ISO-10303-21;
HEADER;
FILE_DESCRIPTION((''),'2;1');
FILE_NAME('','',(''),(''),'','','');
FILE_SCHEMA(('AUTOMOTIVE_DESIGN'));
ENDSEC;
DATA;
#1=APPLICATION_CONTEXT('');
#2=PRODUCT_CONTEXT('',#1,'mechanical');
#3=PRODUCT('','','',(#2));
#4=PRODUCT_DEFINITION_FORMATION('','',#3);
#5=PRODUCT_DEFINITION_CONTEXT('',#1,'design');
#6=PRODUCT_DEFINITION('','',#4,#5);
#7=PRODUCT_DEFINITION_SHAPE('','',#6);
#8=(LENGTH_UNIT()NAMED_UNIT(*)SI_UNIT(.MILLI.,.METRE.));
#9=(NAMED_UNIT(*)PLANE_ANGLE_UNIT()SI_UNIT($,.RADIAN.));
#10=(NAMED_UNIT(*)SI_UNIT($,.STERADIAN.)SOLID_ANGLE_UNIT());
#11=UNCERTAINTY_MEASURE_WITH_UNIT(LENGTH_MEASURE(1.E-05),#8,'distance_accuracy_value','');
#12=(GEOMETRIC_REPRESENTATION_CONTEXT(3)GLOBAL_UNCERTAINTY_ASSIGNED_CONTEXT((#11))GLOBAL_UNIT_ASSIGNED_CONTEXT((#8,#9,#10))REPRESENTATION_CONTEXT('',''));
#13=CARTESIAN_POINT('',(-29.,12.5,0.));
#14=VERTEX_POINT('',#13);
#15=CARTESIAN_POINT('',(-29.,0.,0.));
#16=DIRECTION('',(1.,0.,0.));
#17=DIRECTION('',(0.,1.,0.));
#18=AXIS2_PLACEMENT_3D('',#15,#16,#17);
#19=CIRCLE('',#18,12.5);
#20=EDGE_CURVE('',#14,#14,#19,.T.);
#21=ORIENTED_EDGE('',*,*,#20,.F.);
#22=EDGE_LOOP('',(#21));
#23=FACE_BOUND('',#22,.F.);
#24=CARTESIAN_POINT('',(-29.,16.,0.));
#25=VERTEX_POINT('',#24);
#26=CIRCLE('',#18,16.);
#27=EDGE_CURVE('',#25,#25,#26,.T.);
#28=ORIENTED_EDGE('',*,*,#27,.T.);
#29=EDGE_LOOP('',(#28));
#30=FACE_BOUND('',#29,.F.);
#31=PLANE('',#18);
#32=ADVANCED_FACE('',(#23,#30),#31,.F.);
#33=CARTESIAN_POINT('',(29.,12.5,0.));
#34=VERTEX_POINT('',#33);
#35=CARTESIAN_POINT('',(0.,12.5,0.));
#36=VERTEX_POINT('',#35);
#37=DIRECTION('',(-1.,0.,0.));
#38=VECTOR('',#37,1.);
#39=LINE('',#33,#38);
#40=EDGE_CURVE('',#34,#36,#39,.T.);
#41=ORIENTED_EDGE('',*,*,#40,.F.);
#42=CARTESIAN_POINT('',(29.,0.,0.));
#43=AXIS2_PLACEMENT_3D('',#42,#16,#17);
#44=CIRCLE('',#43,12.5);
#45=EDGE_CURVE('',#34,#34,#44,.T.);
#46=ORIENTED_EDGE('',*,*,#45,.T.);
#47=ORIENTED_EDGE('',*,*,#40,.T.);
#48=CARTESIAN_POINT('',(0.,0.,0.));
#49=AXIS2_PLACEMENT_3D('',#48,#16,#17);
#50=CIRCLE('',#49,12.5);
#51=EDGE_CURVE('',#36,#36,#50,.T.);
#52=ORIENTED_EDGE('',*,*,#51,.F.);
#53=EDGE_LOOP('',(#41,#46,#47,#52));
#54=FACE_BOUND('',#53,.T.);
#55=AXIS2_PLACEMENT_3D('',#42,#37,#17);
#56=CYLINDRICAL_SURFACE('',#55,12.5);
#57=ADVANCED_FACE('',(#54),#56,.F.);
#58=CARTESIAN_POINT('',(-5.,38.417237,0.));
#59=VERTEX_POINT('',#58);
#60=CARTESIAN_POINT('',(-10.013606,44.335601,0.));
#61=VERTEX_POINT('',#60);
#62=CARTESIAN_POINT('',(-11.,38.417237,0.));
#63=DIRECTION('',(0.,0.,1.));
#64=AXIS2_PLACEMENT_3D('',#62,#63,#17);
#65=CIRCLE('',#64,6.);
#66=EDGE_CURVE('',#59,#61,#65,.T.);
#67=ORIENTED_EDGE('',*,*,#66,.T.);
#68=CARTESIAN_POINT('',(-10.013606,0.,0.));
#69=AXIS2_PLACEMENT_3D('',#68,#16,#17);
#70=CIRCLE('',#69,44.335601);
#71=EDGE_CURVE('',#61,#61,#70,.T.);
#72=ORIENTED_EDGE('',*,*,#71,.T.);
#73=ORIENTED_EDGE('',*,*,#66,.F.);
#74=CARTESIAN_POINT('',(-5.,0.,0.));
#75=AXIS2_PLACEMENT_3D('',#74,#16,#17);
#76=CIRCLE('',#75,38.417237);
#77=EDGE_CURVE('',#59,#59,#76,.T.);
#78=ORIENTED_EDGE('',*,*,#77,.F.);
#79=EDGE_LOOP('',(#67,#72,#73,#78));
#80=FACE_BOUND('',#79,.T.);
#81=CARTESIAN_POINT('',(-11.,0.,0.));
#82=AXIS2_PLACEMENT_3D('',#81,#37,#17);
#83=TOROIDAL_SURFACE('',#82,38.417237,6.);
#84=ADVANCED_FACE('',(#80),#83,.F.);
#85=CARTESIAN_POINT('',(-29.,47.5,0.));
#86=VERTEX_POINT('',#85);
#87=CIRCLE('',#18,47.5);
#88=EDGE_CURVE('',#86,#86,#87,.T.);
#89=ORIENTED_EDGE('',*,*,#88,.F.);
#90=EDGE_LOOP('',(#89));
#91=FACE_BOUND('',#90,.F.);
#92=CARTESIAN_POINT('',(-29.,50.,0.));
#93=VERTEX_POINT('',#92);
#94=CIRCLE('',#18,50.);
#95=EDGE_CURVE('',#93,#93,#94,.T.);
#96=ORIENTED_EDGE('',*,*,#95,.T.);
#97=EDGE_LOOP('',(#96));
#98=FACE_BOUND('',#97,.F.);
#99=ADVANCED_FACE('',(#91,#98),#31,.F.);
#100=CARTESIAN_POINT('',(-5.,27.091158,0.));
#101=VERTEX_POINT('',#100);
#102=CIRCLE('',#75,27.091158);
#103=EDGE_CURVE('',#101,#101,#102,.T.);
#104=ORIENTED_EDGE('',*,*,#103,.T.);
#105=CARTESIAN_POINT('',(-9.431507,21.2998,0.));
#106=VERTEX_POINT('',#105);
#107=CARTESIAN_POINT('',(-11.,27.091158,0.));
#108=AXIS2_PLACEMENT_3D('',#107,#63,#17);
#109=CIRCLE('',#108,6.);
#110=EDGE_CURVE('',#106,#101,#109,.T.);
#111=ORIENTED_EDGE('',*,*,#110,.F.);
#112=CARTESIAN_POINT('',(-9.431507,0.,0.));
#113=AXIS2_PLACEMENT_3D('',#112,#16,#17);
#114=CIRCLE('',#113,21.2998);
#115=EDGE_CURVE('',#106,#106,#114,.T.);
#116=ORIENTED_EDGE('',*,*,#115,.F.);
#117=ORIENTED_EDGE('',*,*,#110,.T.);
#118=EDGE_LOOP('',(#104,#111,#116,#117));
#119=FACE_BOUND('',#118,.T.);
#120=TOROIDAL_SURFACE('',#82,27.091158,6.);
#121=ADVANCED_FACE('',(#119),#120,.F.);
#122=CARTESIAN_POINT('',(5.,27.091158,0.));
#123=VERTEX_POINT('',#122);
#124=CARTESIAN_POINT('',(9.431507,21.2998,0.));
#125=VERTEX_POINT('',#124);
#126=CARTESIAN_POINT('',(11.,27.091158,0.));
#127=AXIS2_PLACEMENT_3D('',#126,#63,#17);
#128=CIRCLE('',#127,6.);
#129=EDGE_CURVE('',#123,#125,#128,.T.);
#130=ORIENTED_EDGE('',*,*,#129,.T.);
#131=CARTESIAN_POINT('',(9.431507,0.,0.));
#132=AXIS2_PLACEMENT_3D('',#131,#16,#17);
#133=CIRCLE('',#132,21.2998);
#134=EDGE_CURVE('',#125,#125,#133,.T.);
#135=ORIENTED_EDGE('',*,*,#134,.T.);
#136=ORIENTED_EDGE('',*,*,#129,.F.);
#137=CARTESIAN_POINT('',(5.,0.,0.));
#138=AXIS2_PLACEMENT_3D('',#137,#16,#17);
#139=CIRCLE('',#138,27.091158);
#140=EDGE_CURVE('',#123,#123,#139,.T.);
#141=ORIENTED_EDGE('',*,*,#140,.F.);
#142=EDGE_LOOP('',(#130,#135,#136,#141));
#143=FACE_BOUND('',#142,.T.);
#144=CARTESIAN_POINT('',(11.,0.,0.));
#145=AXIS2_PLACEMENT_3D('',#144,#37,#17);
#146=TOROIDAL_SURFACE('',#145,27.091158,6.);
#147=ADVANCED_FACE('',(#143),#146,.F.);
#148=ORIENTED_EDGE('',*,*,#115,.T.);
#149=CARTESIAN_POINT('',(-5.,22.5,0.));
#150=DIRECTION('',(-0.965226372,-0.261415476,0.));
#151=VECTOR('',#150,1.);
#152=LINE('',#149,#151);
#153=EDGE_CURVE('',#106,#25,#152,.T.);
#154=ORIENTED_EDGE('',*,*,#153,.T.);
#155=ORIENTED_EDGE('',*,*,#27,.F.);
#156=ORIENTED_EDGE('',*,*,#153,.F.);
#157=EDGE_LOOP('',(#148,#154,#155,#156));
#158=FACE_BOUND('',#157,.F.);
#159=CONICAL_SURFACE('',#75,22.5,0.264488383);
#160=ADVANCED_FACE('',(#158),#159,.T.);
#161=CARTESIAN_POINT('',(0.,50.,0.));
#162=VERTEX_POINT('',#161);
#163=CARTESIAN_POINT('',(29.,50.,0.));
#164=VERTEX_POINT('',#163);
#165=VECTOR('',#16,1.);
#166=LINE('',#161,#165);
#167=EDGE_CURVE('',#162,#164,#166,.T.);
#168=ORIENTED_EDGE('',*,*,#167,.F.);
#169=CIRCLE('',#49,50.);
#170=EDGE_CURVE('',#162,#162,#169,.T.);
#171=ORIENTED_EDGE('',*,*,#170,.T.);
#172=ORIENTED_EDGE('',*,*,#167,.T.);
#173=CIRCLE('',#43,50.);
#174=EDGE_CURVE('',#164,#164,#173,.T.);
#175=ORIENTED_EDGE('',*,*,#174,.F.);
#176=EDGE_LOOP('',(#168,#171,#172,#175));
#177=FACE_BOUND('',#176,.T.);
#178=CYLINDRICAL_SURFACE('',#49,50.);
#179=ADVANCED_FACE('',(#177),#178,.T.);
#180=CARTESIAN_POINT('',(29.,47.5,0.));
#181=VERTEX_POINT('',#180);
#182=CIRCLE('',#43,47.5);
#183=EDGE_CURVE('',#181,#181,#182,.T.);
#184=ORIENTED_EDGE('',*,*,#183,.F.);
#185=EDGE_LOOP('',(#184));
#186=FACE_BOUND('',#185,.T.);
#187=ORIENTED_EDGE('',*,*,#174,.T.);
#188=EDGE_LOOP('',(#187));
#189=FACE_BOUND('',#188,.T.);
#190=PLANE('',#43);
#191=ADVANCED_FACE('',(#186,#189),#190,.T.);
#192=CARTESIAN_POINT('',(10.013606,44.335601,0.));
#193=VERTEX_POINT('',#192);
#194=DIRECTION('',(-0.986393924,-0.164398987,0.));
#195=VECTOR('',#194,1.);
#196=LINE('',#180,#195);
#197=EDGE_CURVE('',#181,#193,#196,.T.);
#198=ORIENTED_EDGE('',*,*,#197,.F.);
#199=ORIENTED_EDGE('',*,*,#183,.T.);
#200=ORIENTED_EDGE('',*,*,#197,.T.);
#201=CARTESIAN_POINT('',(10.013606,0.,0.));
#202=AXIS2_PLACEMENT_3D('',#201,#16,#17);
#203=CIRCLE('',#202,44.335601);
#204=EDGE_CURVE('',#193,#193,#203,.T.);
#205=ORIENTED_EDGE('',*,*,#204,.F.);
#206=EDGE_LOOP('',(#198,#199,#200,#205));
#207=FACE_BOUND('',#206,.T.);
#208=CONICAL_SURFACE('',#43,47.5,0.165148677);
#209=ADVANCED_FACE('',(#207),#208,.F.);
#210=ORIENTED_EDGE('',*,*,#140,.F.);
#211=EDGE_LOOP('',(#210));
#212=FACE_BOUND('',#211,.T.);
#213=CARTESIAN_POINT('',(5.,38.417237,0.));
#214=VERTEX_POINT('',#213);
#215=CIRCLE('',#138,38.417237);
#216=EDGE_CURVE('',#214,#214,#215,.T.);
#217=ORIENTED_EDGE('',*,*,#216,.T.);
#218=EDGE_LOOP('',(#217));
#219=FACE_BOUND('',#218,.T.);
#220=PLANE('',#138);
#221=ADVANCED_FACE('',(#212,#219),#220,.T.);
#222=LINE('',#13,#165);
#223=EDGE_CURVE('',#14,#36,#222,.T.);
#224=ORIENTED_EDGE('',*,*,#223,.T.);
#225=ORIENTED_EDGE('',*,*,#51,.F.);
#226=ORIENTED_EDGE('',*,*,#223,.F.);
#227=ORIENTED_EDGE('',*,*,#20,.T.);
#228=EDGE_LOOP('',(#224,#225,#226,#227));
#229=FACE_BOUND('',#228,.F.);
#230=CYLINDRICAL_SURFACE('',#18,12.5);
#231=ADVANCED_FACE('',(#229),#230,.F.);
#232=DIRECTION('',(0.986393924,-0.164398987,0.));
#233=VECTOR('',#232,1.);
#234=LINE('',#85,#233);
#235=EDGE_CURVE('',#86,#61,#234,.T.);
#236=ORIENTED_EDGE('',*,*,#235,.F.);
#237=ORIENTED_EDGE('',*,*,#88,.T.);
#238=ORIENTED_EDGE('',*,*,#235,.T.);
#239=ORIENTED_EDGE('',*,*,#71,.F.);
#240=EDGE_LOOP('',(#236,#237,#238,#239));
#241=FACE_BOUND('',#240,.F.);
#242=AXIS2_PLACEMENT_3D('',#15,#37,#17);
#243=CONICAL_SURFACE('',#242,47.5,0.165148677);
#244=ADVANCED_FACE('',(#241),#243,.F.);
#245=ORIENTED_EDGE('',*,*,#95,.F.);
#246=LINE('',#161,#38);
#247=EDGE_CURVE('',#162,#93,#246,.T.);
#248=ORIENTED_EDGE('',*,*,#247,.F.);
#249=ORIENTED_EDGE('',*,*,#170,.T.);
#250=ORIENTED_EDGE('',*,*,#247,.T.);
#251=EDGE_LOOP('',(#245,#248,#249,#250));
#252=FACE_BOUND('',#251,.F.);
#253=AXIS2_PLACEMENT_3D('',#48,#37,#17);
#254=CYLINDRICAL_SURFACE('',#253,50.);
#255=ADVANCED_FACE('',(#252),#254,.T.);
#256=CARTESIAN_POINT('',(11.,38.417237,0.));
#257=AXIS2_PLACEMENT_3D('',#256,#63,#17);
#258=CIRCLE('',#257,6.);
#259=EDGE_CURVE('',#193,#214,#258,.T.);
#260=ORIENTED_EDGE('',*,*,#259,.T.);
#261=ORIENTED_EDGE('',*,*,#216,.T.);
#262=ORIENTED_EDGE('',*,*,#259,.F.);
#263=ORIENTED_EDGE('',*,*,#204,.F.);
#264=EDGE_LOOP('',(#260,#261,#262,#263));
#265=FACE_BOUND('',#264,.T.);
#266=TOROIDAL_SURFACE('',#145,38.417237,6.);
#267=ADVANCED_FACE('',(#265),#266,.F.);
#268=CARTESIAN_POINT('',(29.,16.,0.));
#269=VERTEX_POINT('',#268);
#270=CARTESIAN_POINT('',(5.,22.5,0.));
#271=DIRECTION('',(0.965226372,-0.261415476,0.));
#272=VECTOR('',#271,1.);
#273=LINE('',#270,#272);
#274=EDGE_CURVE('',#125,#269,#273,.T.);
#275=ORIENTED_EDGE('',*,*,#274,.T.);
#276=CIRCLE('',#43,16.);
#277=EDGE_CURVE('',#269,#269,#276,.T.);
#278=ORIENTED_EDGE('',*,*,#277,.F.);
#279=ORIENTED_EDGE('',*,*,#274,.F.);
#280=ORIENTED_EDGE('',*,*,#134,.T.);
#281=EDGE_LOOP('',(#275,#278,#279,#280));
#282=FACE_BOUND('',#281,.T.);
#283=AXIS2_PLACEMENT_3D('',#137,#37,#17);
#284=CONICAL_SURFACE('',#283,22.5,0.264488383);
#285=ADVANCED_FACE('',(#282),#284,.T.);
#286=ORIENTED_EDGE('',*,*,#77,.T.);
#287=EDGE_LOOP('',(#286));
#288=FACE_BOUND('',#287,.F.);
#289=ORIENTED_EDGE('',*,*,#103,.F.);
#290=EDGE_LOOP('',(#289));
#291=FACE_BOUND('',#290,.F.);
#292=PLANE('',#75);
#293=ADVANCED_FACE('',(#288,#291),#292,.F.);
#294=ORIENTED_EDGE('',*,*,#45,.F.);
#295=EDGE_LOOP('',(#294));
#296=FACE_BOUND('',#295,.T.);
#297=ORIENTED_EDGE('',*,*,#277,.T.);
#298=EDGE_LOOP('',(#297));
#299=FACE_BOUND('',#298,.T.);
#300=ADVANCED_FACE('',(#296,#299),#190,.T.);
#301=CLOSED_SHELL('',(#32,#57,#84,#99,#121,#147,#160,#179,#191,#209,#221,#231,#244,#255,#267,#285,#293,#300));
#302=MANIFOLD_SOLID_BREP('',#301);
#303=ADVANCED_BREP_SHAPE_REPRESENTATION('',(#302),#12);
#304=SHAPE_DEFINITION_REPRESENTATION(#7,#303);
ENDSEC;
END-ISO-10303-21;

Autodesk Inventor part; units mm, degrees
ref_plane "YZ Plane" through (0, 0, 0) normal (1, 0, 0) x (0, 1, 0)
ref_plane "XZ Plane" through (0, 0, 0) normal (0, 1, 0) x (-1, 0, 0)
ref_plane "XY Plane" through (0, 0, 0) normal (0, 0, 1) x (1, 0, 0)
sketch "Sketch1" plane through (0, 0, 0) normal (0, 0, 1) x (1, 0, 0)
  line L0 (-26.0293, 0) -> (0, 0)
  line L1 (0, 0) -> (26.0293, 0)
  line L2 (0, 0) -> (0, 50) construction
  line L3 (0, 50) -> (29, 50)
  line L4 (29, 50) -> (29, 47.5)
  line L5 (29, 47.5) -> (5, 43.5)
  line L6 (5, 43.5) -> (5, 22.5)
  line L7 (5, 22.5) -> (29, 16)
  line L8 (29, 16) -> (29, 12.5)
  line L9 (29, 12.5) -> (0, 12.5)
  line L10 (0, 50) -> (-29, 50)
  line L11 (-29, 47.5) -> (-5, 43.5)
  line L12 (-5, 43.5) -> (-5, 22.5)
  line L13 (-5, 22.5) -> (-29, 16)
  line L14 (-29, 16) -> (-29, 12.5)
  line L15 (-29, 12.5) -> (0, 12.5)
  line L16 (-29, 50) -> (-29, 47.5)
  point P0 (14.5, 12.5)
  point P1 (-14.5, 12.5)
  point P2 (-5, 33)
  dimension "d0" = 100
  dimension "d1" = 95
  dimension "d2" = 87
  dimension "d3" = 45
  dimension "d4" = 25
  dimension "d5" = 32
  dimension "d6" = 58
  dimension "d7" = 10
revolve "Revolution1" add sketch "Sketch1" angle 360 about axis through (-26.0293, 0, 0) along (1, 0, 0)
fillet "Fillet1" radius 6 4 edges at (5, -43.5, 0) (5, -22.5, 0) (-5, -43.5, 0) (-5, -22.5, 0)
properties part number "04-roller" material "Stainless Steel"
